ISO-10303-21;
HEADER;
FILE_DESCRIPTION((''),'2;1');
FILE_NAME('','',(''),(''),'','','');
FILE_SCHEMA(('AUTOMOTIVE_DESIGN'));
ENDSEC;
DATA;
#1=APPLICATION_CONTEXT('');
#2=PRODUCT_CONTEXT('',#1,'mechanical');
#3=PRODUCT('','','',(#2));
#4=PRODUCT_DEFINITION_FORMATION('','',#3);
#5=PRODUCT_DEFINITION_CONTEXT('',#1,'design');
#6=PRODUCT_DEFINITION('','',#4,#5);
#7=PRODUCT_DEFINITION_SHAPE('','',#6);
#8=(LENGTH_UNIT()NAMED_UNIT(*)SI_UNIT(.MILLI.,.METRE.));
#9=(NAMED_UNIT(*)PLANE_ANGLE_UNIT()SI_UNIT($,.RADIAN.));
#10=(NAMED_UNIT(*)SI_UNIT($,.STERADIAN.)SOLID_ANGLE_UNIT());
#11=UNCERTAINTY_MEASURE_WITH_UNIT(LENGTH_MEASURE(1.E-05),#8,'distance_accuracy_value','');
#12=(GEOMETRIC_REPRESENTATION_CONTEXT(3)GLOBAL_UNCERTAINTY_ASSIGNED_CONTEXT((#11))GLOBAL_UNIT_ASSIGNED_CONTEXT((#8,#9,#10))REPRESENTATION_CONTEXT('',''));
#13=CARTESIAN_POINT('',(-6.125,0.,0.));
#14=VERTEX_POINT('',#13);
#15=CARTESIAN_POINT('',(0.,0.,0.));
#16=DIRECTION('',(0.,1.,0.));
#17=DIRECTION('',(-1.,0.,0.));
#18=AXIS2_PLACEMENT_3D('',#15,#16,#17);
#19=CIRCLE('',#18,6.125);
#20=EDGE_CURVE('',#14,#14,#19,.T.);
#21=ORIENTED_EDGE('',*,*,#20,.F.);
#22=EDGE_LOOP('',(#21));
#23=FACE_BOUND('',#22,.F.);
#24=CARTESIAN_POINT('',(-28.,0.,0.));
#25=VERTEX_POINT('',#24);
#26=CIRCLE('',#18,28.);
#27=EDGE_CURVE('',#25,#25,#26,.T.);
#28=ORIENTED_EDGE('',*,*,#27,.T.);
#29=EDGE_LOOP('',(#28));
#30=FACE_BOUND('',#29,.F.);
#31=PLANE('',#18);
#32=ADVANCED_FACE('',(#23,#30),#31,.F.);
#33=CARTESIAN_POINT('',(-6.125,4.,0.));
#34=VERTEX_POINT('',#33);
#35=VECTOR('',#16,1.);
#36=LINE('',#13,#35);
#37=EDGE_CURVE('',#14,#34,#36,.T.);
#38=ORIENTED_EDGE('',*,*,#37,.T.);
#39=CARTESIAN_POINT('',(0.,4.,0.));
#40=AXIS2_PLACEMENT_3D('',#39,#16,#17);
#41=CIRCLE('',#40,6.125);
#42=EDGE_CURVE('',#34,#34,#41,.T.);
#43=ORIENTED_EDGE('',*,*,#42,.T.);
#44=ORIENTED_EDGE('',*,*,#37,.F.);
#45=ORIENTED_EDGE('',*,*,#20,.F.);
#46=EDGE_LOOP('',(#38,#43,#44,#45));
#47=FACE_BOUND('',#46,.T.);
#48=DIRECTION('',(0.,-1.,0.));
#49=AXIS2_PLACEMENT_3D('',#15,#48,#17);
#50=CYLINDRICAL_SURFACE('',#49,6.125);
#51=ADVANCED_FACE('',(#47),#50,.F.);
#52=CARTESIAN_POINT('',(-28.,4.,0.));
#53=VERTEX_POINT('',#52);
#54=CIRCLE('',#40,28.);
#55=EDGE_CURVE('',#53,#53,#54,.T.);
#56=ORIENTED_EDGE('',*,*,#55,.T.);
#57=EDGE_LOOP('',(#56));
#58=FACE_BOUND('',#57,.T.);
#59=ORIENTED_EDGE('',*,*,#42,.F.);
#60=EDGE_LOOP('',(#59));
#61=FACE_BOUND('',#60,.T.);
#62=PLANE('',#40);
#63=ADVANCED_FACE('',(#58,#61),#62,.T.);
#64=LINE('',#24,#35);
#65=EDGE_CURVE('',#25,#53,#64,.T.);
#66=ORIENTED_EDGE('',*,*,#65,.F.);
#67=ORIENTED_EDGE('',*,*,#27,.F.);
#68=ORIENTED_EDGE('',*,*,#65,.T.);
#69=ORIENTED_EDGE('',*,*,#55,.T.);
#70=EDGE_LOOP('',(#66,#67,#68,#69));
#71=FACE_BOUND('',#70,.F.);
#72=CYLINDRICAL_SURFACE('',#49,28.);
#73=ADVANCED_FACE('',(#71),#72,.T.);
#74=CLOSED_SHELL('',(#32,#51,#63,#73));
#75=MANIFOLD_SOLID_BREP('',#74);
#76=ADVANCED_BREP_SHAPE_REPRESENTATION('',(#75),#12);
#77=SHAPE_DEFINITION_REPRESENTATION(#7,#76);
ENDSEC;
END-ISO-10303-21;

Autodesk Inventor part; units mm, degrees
ref_plane "YZ Plane" through (0, 0, 0) normal (1, 0, 0) x (0, 1, 0)
ref_plane "XZ Plane" through (0, 0, 0) normal (0, 1, 0) x (-1, 0, 0)
ref_plane "XY Plane" through (0, 0, 0) normal (0, 0, 1) x (1, 0, 0)
sketch "Sketch1" plane through (0, 0, 0) normal (0, 1, 0) x (-1, 0, 0)
  circle A0 centre (0, 0) radius 28
  circle A1 centre (0, 0) radius 6.125
  dimension "d0" = 56
  dimension "d1" = 12.25
extrude "Extrusion1" add sketch "Sketch1" along normal blind 4
